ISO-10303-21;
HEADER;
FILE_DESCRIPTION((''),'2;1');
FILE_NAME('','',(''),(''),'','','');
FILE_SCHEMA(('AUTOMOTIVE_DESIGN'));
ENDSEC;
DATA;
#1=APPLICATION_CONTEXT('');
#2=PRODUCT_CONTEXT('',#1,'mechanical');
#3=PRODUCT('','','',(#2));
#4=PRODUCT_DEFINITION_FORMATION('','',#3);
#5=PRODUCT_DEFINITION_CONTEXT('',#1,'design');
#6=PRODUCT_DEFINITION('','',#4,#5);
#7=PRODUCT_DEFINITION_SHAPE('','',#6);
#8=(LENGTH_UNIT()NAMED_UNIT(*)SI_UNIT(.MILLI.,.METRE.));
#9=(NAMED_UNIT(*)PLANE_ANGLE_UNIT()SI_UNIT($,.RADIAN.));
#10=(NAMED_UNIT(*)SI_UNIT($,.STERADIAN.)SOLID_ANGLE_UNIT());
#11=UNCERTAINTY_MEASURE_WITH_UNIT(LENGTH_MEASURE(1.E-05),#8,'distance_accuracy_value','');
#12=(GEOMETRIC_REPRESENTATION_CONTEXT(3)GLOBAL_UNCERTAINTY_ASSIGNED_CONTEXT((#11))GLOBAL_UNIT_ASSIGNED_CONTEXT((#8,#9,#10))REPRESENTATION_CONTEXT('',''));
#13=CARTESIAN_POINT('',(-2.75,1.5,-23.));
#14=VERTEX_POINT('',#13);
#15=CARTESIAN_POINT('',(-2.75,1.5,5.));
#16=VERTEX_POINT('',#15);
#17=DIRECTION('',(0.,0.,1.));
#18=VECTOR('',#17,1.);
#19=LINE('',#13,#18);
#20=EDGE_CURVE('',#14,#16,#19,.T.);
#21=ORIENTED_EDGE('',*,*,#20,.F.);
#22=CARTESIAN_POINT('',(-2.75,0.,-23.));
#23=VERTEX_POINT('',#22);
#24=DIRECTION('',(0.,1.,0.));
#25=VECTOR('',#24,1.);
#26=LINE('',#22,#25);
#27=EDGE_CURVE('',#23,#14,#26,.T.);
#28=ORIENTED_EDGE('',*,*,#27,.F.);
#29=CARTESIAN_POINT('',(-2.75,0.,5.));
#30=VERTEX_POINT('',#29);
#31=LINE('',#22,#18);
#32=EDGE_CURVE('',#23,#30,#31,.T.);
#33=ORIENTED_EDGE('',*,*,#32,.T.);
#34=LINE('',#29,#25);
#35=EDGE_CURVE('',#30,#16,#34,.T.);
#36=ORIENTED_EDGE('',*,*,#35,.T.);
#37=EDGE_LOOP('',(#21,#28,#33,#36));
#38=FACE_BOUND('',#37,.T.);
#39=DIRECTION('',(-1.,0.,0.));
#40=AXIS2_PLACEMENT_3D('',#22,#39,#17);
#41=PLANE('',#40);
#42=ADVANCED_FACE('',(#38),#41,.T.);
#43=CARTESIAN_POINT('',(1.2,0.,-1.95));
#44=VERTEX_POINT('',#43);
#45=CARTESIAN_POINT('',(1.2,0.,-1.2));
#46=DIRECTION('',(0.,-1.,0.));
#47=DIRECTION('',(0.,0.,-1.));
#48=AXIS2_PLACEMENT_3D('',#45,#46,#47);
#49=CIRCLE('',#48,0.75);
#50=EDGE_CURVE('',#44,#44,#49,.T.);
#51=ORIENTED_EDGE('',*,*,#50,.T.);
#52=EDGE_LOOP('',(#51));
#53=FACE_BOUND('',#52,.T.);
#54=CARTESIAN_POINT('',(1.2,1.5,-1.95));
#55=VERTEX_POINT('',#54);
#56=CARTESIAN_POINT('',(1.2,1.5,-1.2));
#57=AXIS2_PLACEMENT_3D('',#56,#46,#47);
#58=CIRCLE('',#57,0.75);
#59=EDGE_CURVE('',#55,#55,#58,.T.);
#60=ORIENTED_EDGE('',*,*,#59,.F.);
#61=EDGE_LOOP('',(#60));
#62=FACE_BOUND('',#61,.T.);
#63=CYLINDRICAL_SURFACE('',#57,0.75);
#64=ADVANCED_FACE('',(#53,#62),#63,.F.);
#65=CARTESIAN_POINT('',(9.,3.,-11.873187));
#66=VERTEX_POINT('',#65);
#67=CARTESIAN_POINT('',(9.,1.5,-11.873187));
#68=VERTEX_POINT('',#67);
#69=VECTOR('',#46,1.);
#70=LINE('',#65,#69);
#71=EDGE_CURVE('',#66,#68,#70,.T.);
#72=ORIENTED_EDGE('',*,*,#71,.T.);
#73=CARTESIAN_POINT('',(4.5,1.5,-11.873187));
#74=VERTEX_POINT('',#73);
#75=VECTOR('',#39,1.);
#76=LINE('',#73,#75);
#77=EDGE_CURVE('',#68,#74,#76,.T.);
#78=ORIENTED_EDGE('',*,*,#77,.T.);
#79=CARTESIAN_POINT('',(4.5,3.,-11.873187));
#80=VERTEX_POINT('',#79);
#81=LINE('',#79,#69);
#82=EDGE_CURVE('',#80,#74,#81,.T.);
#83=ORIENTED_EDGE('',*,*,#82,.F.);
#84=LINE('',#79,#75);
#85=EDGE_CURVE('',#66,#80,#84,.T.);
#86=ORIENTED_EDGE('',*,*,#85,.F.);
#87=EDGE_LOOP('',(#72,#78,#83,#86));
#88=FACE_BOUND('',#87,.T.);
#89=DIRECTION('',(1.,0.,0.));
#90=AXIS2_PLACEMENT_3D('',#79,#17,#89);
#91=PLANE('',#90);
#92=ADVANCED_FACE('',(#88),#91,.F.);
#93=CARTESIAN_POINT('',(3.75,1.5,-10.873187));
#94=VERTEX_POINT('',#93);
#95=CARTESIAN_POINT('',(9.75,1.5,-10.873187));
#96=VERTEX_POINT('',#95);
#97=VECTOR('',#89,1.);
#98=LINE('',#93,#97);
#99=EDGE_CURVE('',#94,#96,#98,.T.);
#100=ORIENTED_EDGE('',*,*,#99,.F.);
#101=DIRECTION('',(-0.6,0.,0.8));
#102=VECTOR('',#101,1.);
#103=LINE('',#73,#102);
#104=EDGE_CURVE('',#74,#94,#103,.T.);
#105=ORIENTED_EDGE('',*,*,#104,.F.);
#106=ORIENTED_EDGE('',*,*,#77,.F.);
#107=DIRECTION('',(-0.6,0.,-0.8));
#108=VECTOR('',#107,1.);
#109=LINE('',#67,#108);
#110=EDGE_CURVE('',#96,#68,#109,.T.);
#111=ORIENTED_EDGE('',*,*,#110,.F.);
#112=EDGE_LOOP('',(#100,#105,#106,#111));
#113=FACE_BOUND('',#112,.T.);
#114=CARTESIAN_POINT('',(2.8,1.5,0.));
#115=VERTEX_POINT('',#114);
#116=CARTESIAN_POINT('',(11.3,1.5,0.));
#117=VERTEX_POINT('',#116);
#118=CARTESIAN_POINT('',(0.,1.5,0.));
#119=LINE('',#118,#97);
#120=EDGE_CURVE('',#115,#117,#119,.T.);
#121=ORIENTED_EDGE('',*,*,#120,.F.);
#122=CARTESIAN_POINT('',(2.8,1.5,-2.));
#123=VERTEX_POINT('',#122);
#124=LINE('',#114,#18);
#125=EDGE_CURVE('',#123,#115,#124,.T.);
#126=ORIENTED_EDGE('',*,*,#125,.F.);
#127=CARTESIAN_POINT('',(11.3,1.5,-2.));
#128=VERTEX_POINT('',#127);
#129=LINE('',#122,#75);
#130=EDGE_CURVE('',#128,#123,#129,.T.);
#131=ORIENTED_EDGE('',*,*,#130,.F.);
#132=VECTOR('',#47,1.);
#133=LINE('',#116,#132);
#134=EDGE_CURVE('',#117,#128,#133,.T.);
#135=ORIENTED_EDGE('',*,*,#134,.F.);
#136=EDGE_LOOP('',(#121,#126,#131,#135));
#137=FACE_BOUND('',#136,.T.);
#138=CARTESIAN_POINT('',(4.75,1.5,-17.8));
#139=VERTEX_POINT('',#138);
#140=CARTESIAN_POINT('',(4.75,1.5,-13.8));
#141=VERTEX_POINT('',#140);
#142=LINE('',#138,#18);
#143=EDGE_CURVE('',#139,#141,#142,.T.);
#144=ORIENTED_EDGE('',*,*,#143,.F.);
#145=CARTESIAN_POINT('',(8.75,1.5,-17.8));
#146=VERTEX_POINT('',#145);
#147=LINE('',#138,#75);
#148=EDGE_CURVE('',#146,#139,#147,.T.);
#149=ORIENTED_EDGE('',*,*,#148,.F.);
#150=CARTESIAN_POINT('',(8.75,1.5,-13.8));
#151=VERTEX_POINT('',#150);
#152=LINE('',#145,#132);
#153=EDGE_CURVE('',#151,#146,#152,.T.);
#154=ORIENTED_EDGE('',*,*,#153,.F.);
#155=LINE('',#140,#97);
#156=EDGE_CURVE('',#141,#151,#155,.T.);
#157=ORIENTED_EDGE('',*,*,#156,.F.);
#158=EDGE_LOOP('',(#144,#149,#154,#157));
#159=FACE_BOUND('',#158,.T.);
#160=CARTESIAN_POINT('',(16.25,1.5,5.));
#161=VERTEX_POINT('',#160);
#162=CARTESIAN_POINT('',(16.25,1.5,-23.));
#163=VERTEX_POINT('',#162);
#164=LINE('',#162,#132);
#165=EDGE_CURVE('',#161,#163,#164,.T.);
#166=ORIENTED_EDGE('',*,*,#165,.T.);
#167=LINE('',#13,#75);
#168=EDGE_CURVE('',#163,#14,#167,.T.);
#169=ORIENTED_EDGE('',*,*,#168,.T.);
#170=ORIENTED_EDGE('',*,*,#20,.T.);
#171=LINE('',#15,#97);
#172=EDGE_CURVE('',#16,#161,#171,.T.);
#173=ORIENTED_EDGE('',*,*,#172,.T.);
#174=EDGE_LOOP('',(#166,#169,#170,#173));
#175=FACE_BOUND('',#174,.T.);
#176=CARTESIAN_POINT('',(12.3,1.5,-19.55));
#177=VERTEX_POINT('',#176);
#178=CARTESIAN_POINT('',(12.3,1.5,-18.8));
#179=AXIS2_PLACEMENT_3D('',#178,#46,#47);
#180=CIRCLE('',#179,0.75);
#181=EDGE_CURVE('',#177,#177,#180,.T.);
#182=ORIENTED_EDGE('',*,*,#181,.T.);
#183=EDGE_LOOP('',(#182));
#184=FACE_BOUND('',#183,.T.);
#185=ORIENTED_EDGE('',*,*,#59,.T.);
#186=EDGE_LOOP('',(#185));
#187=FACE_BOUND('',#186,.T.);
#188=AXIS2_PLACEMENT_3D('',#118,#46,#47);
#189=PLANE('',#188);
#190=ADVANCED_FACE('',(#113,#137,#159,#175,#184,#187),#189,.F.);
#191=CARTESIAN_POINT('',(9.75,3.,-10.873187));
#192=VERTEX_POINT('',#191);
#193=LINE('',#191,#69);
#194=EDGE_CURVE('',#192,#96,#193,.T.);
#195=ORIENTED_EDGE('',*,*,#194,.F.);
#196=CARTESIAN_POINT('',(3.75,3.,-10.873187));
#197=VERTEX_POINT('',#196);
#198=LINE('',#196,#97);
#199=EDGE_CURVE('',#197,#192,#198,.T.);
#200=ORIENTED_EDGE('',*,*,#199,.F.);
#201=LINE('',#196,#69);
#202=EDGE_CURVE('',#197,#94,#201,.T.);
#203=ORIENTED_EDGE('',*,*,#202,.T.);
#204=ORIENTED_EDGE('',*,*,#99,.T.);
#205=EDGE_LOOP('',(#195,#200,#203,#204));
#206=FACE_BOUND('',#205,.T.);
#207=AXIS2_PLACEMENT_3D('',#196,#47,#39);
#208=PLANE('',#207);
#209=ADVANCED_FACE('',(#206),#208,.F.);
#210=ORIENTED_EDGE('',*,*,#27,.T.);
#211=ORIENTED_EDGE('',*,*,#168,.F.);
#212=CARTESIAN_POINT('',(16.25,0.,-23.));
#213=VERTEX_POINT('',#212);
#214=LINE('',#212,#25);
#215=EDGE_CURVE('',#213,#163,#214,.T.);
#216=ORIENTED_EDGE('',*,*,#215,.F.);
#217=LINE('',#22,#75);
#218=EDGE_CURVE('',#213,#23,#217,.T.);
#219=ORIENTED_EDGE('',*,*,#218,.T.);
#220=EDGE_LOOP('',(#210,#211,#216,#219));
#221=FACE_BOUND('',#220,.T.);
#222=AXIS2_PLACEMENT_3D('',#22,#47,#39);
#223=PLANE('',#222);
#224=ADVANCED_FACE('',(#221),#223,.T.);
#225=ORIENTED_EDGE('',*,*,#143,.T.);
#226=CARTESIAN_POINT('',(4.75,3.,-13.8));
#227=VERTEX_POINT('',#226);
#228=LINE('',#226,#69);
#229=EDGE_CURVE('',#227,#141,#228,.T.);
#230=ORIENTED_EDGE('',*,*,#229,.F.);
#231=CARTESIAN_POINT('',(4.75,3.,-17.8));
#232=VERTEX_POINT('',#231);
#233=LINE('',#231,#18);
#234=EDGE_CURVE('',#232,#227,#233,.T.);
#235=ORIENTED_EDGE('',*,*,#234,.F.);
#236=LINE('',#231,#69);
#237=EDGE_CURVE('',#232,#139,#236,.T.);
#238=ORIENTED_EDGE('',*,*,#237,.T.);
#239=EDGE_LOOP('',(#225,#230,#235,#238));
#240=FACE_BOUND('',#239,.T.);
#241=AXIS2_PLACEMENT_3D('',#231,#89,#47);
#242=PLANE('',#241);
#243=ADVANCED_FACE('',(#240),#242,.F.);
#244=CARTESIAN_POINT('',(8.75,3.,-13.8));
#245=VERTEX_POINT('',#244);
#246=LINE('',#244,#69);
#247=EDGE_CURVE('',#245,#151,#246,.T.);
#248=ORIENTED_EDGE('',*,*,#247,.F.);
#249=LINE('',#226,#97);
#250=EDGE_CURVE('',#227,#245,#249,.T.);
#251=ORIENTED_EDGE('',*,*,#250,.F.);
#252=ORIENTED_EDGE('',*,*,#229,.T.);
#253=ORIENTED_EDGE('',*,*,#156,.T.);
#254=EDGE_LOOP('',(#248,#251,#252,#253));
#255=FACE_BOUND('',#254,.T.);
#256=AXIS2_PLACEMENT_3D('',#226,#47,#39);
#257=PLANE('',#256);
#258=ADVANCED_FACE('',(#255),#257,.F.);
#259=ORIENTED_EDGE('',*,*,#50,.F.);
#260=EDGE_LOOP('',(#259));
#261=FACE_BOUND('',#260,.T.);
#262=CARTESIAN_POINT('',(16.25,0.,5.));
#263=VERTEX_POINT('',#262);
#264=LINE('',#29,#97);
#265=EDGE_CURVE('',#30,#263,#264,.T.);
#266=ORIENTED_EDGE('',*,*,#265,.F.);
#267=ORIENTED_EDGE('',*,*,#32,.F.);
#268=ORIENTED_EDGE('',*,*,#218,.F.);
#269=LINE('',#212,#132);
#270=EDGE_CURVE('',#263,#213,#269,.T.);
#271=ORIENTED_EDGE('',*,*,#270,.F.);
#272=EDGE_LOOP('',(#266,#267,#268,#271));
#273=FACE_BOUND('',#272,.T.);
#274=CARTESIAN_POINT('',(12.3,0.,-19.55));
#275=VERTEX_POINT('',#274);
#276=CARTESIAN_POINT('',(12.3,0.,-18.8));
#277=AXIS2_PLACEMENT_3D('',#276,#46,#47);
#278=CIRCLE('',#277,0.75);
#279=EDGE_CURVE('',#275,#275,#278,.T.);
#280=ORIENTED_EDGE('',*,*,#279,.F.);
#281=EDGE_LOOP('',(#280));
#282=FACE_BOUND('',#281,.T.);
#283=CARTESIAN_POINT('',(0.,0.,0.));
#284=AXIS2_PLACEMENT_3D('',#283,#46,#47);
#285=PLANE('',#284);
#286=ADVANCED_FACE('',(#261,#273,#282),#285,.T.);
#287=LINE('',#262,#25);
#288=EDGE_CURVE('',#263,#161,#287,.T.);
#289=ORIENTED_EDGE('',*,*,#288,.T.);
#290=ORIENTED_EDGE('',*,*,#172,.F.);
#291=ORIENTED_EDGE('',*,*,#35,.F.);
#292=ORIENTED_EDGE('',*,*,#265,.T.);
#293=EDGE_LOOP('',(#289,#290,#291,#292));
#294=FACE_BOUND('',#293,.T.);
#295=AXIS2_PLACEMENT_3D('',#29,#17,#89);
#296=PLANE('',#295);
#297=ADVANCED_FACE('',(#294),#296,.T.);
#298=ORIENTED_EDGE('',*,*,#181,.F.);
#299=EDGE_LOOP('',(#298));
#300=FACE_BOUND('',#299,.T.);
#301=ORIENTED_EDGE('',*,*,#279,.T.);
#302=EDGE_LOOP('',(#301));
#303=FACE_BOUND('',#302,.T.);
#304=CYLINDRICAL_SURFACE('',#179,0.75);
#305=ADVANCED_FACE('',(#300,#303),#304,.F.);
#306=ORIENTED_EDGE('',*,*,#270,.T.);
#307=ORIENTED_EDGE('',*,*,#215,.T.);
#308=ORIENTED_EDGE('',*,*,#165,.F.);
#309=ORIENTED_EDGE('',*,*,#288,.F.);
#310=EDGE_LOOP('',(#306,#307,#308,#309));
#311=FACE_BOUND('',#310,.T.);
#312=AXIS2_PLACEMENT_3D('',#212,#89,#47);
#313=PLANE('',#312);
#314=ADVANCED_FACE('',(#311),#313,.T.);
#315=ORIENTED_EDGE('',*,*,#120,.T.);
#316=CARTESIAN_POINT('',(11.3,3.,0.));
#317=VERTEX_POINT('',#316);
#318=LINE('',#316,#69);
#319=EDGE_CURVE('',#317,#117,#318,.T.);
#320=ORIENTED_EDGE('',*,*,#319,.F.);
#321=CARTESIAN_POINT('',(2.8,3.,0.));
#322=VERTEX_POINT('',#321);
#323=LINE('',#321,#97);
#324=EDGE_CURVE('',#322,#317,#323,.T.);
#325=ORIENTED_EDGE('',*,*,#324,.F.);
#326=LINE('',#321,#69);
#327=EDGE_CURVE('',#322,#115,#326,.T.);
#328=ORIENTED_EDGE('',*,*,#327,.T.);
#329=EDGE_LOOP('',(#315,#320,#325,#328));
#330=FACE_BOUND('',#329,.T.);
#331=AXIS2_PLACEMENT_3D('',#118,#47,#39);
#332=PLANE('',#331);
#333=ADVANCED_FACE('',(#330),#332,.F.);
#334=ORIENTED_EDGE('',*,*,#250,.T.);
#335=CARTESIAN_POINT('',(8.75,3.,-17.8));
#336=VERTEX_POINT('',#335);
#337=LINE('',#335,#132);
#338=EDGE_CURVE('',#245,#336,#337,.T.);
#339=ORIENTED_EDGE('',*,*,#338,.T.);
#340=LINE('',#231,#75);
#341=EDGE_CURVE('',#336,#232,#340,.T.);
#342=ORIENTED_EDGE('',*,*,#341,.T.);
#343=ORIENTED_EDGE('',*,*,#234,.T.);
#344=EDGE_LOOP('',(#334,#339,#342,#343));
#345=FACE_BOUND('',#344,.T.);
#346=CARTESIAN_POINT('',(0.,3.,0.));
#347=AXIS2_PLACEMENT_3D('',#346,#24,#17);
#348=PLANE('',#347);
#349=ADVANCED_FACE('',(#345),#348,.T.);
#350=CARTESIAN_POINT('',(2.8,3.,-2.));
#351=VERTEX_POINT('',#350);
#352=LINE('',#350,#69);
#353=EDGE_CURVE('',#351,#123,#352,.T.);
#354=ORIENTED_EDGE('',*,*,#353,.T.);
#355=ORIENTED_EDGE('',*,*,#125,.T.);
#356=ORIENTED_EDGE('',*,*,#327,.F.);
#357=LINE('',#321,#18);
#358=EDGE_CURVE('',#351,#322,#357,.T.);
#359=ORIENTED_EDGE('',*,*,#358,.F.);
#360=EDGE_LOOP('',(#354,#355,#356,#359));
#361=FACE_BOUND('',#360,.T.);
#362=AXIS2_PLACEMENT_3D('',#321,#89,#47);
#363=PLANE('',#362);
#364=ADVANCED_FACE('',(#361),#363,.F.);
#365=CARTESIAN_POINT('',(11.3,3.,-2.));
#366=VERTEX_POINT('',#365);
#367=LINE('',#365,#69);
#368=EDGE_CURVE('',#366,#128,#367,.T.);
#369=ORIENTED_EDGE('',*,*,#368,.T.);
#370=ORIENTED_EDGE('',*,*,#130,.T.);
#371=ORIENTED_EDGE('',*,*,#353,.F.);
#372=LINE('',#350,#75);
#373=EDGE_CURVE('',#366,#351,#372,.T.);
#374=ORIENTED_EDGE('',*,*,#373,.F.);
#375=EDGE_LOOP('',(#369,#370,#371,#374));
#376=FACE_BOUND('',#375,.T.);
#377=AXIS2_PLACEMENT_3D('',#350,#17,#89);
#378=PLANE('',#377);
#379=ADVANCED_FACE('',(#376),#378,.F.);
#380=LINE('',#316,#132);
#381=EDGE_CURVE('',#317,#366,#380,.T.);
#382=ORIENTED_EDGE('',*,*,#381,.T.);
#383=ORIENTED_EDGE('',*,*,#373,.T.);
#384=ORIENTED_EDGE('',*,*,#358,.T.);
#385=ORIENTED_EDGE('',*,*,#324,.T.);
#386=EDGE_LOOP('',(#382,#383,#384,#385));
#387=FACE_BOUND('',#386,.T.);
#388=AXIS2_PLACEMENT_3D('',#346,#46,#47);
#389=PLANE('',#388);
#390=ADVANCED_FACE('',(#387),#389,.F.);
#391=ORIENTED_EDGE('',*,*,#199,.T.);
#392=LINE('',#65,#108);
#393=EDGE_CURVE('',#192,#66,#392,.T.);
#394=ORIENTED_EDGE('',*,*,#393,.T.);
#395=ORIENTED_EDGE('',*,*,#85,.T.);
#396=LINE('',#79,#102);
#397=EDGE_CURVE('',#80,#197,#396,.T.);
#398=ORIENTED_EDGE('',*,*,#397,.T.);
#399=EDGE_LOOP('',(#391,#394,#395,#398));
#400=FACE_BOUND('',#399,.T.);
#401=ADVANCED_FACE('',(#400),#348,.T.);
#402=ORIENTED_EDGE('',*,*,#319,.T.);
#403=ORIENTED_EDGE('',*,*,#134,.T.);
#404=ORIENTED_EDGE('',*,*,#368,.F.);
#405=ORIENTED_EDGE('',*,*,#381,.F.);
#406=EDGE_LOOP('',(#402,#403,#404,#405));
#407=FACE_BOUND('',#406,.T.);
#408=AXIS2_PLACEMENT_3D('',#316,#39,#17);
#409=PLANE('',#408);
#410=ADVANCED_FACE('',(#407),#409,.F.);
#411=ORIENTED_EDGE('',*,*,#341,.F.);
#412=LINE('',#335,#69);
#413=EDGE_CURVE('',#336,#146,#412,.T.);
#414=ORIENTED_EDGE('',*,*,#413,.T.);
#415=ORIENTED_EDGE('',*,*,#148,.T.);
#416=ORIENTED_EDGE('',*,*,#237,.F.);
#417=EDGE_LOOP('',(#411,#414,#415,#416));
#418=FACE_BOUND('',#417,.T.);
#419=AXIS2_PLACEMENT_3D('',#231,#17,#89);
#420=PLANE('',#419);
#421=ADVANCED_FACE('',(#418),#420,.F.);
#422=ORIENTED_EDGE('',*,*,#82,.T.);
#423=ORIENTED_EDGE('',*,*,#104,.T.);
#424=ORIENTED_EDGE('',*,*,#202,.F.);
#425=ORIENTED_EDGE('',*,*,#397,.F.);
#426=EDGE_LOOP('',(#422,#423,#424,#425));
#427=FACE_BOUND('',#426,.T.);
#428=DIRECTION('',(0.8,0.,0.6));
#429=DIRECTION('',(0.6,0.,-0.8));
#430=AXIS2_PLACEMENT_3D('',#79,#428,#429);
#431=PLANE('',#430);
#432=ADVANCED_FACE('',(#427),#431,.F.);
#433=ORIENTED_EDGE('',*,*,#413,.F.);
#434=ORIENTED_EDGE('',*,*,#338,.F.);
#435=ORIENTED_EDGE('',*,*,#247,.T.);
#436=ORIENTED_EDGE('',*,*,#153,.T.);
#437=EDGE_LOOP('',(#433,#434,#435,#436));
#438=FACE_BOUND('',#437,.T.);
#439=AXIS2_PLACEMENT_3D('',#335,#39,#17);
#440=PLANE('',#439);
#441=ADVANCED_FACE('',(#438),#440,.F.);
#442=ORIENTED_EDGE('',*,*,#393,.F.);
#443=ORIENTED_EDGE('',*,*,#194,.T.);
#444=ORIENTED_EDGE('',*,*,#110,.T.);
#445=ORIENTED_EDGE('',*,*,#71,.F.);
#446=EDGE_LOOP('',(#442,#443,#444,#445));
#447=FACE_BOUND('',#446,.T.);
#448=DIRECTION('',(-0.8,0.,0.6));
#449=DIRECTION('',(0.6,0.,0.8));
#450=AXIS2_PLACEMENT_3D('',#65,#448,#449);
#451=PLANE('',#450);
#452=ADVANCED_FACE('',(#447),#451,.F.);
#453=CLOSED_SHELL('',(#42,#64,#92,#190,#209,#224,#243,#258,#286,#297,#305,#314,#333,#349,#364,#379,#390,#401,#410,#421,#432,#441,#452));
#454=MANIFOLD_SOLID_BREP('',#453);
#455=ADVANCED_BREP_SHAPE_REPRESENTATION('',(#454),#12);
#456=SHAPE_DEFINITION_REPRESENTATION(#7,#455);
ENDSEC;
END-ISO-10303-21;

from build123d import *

# Parameters (mm, degrees)
SKETCH1_W           = 13.5
SKETCH1_H           = 20
BOSS_EXTRUDE1_DEPTH = 1.5
SKETCH2_W           = 4
SKETCH2_H           = 4
BOSS_EXTRUDE2_DEPTH = 1.5
SKETCH3_R           = 0.75
CUT_EXTRUDE1_DEPTH  = 1.5
SKETCH4_W           = 8.5
SKETCH4_H           = 2
BOSS_EXTRUDE3_DEPTH = 1.5
SKETCH5_W           = 19
SKETCH5_H           = 28
SKETCH5_W_2         = 13.5
SKETCH5_H_2         = 20
BOSS_EXTRUDE4_DEPTH = 1.5


with BuildPart() as part:
    # Sketch1 → Boss-Extrude1 (new body)
    with BuildSketch(Plane(origin=(0, 0, 0), x_dir=(1, 0, 0), z_dir=(0, 1, 0))):
        with Locations((6.75, 10)):
            Rectangle(SKETCH1_W, SKETCH1_H)
    extrude(amount=BOSS_EXTRUDE1_DEPTH)

    # Sketch2 → Boss-Extrude2 (add)
    with BuildSketch(Plane(origin=(0, 1.5, 0), x_dir=(1, 0, 0), z_dir=(0, 1, 0))):
        with Locations((6.75, 15.8)):
            Rectangle(SKETCH2_W, SKETCH2_H)
        Polygon((4.5, 11.87318686), (9, 11.87318686), (9.75, 10.87318686), (3.75, 10.87318686), align=None)
    extrude(amount=BOSS_EXTRUDE2_DEPTH)

    # Sketch3 → Cut-Extrude1 (cut)
    with BuildSketch(Plane.XZ):
        with Locations(Location((12.3, -18.8, 0), (0, 0, 270))):
            Circle(SKETCH3_R)
        with Locations(Location((1.2, -1.2, 0), (0, 0, 270))):
            Circle(SKETCH3_R)
    extrude(amount=-CUT_EXTRUDE1_DEPTH, mode=Mode.SUBTRACT)

    # Sketch4 → Boss-Extrude3 (add)
    with BuildSketch(Plane(origin=(0, 1.5, 0), x_dir=(1, 0, 0), z_dir=(0, 1, 0))):
        with Locations((7.05, 1)):
            Rectangle(SKETCH4_W, SKETCH4_H)
    extrude(amount=BOSS_EXTRUDE3_DEPTH)

    # Sketch5 → Boss-Extrude4 (add)
    with BuildSketch(Plane(origin=(0, 1.5, 0), x_dir=(1, 0, 0), z_dir=(0, 1, 0))):
        with Locations((6.75, 9)):
            Rectangle(SKETCH5_W, SKETCH5_H)
        with Locations((6.75, 10)):
            Rectangle(SKETCH5_W_2, SKETCH5_H_2, mode=Mode.SUBTRACT)
    extrude(amount=-BOSS_EXTRUDE4_DEPTH)


solid = part.part
